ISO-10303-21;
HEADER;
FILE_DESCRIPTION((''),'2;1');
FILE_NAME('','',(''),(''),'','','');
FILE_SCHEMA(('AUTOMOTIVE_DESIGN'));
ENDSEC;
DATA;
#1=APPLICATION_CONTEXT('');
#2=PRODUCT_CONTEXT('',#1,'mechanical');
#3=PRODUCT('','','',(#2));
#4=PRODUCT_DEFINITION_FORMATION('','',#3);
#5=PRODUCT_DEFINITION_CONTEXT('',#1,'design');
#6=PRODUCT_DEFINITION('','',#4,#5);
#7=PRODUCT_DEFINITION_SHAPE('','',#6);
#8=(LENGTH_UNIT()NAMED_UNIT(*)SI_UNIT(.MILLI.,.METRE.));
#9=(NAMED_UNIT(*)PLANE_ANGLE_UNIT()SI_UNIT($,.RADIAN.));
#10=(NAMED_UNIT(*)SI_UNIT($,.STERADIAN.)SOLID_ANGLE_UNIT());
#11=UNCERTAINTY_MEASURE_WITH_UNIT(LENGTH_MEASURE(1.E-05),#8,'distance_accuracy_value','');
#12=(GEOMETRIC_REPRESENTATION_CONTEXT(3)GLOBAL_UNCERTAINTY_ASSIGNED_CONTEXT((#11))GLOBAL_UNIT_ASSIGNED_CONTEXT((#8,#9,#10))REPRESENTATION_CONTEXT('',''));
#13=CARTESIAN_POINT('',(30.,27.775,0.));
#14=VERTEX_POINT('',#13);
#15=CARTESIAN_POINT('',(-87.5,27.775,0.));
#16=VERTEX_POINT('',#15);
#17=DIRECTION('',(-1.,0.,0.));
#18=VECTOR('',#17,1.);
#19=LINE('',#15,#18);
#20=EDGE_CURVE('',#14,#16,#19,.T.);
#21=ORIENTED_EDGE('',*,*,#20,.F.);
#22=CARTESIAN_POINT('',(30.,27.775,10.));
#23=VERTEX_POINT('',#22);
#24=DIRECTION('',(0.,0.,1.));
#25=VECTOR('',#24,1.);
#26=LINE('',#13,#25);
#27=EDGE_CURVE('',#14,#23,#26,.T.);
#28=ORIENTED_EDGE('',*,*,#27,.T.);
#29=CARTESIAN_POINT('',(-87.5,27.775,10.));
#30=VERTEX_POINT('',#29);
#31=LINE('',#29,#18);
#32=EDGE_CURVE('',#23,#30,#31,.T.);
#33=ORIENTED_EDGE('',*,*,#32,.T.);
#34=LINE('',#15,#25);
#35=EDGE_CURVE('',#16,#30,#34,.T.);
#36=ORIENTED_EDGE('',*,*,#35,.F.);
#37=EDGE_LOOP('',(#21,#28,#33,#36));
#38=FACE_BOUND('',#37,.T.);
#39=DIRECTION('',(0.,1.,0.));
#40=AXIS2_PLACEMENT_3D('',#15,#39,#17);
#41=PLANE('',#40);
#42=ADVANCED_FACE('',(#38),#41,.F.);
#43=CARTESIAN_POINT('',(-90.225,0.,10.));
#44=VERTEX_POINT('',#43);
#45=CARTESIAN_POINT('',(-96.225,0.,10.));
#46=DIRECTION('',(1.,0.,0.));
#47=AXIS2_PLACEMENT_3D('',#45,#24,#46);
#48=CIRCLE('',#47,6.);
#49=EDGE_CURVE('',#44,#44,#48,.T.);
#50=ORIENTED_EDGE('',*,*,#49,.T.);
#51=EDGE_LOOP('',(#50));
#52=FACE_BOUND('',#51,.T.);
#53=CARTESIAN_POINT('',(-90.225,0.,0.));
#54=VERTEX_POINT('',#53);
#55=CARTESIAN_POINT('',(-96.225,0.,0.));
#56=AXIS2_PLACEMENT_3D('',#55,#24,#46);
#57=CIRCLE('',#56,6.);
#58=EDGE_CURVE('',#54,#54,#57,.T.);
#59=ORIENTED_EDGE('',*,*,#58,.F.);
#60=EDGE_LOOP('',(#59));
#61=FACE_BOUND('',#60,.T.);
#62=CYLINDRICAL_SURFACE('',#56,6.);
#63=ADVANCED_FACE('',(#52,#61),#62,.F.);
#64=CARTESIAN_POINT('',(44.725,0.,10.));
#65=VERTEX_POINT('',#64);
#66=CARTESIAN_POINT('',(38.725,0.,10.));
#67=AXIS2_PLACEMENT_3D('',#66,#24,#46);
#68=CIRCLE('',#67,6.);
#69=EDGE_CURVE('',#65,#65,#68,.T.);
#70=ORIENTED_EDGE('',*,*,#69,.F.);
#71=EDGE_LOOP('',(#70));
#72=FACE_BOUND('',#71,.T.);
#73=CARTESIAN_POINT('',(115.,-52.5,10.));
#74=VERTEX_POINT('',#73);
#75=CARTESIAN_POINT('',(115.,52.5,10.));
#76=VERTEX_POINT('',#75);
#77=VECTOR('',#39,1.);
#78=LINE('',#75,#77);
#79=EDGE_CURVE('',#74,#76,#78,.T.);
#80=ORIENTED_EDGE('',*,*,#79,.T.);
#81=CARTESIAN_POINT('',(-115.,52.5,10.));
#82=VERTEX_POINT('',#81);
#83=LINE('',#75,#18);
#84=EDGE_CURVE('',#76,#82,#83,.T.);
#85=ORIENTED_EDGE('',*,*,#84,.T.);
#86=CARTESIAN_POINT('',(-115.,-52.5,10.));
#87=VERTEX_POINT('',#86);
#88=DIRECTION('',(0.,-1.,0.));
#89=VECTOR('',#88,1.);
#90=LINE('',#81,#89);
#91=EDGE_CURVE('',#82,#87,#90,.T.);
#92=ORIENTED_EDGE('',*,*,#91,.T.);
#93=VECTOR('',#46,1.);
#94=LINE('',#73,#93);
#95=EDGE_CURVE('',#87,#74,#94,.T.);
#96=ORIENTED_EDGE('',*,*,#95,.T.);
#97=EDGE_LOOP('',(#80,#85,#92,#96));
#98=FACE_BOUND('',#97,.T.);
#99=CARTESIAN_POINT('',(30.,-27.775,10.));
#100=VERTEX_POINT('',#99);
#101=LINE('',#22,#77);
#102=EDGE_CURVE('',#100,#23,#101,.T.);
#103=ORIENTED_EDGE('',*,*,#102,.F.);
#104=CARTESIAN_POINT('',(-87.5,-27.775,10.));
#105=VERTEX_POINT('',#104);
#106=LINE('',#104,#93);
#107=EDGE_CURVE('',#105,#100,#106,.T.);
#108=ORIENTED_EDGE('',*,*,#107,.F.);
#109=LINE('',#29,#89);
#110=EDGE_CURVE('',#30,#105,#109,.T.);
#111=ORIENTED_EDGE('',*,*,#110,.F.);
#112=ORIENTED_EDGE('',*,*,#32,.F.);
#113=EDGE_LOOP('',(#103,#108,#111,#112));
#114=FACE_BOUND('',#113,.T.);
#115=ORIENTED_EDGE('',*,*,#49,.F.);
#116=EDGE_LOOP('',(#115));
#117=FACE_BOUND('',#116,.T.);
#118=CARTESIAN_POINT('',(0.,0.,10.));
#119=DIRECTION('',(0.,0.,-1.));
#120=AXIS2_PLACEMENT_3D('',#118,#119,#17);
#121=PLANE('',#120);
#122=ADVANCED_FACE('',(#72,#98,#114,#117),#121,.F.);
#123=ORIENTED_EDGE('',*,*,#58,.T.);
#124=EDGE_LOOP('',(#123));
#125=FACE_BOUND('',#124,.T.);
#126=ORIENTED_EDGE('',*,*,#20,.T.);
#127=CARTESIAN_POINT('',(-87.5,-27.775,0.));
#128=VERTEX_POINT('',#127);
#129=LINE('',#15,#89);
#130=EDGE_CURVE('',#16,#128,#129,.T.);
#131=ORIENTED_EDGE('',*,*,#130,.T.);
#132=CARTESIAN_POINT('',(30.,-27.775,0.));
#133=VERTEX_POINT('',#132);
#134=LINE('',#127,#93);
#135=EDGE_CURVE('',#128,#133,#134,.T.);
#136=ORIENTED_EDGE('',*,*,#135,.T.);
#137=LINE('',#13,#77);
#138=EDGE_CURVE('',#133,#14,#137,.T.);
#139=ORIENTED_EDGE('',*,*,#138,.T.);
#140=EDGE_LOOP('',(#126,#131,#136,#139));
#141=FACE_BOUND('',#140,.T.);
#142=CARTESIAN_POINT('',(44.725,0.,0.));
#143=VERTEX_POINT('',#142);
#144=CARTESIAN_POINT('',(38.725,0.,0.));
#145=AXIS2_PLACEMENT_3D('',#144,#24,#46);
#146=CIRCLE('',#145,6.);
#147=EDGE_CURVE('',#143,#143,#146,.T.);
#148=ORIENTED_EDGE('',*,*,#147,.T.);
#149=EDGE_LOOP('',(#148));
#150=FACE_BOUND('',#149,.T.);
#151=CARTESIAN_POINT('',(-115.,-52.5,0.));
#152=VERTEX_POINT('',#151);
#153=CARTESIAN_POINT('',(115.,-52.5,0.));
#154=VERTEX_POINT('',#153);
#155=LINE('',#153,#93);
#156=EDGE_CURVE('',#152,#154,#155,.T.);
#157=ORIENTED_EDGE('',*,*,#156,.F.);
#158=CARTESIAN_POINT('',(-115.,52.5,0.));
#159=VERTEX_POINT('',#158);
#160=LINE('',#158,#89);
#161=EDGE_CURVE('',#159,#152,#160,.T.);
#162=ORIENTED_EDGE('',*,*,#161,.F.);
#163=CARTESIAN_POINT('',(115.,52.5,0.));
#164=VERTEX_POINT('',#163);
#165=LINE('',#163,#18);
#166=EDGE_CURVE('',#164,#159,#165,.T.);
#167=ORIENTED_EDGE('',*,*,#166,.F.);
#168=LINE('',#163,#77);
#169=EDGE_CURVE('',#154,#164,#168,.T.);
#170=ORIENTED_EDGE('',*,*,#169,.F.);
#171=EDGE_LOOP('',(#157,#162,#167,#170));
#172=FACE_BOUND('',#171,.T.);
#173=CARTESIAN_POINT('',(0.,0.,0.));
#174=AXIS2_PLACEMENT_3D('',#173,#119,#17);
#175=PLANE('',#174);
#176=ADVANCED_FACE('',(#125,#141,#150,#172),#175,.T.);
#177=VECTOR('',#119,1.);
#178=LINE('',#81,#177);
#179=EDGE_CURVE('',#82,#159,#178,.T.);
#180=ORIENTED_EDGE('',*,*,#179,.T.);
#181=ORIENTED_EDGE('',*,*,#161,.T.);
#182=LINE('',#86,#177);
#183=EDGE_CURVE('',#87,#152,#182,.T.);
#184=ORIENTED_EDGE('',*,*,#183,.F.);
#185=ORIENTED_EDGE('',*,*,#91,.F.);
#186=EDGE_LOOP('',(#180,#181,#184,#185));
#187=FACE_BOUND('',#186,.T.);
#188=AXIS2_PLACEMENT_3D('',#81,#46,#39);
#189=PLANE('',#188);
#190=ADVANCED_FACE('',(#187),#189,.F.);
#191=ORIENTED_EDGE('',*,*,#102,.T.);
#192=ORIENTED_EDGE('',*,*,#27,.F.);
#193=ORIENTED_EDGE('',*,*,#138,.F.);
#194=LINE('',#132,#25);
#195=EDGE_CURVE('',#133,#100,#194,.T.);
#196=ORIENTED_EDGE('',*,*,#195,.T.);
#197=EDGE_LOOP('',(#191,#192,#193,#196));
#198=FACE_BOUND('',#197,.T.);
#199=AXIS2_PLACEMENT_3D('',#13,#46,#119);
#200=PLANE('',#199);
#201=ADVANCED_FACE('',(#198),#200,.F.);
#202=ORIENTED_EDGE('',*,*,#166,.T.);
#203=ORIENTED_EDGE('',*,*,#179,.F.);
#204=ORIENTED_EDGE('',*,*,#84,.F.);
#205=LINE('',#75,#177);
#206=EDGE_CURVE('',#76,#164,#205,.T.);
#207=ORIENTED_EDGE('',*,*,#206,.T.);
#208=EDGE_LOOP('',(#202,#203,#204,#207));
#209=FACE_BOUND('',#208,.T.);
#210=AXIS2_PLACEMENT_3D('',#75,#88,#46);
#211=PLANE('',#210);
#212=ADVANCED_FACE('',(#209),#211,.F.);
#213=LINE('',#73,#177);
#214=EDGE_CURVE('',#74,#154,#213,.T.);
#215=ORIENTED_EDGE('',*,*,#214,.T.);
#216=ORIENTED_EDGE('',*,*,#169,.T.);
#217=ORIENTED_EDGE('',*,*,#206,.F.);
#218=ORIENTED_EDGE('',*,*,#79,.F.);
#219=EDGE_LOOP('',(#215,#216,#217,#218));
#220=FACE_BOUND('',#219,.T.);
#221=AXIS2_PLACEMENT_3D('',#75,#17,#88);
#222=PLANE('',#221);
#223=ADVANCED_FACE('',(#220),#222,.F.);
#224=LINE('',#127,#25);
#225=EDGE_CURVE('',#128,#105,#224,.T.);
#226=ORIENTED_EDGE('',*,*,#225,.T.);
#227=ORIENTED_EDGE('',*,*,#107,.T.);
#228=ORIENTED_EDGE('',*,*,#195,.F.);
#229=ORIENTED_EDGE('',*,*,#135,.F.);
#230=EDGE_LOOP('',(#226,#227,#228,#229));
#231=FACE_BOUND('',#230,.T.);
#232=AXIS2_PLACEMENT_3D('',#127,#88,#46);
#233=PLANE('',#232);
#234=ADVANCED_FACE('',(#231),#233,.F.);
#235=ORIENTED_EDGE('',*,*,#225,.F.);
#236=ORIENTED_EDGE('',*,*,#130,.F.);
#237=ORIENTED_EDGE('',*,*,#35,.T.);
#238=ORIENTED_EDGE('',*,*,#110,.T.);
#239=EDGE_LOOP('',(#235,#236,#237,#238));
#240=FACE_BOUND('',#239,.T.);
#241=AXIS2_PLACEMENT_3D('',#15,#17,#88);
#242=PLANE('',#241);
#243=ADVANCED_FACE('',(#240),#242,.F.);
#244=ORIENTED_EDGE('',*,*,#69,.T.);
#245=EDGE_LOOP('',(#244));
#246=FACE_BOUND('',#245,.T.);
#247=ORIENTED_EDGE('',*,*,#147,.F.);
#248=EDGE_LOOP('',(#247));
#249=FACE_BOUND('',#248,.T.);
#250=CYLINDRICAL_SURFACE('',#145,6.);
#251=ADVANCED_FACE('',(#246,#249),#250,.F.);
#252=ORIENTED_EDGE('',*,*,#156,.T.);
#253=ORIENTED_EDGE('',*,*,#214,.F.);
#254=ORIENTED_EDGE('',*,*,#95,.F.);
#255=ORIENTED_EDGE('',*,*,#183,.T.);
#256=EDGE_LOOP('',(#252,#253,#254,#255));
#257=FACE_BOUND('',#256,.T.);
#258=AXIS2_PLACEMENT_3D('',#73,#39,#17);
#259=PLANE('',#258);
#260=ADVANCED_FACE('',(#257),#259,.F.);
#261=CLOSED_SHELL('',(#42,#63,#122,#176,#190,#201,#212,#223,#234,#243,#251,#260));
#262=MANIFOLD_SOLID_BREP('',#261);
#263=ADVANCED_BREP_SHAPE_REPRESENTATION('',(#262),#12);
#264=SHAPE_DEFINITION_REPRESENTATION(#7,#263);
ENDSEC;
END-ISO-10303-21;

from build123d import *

# Parameters (mm, degrees)
SKETCH1_W           = 230
SKETCH1_H           = 105
BOSS_EXTRUDE1_DEPTH = 10
SKETCH2_R           = 6
SKETCH2_W           = 117.5
SKETCH2_H           = 55.55
CUT_EXTRUDE3_DEPTH  = 10


with BuildPart() as part:
    # Sketch1 → Boss-Extrude1 (new body)
    with BuildSketch(Plane.XY):
        Rectangle(SKETCH1_W, SKETCH1_H)
    extrude(amount=BOSS_EXTRUDE1_DEPTH)

    # Sketch2 → Cut-Extrude3 (cut)
    with BuildSketch(Plane.XY.offset(10)):
        with Locations((38.725, 0)):
            Circle(SKETCH2_R)
        with Locations((-96.225, 0)):
            Circle(SKETCH2_R)
        with Locations((-28.75, 0)):
            Rectangle(SKETCH2_W, SKETCH2_H)
    extrude(amount=-CUT_EXTRUDE3_DEPTH, mode=Mode.SUBTRACT)


solid = part.part
